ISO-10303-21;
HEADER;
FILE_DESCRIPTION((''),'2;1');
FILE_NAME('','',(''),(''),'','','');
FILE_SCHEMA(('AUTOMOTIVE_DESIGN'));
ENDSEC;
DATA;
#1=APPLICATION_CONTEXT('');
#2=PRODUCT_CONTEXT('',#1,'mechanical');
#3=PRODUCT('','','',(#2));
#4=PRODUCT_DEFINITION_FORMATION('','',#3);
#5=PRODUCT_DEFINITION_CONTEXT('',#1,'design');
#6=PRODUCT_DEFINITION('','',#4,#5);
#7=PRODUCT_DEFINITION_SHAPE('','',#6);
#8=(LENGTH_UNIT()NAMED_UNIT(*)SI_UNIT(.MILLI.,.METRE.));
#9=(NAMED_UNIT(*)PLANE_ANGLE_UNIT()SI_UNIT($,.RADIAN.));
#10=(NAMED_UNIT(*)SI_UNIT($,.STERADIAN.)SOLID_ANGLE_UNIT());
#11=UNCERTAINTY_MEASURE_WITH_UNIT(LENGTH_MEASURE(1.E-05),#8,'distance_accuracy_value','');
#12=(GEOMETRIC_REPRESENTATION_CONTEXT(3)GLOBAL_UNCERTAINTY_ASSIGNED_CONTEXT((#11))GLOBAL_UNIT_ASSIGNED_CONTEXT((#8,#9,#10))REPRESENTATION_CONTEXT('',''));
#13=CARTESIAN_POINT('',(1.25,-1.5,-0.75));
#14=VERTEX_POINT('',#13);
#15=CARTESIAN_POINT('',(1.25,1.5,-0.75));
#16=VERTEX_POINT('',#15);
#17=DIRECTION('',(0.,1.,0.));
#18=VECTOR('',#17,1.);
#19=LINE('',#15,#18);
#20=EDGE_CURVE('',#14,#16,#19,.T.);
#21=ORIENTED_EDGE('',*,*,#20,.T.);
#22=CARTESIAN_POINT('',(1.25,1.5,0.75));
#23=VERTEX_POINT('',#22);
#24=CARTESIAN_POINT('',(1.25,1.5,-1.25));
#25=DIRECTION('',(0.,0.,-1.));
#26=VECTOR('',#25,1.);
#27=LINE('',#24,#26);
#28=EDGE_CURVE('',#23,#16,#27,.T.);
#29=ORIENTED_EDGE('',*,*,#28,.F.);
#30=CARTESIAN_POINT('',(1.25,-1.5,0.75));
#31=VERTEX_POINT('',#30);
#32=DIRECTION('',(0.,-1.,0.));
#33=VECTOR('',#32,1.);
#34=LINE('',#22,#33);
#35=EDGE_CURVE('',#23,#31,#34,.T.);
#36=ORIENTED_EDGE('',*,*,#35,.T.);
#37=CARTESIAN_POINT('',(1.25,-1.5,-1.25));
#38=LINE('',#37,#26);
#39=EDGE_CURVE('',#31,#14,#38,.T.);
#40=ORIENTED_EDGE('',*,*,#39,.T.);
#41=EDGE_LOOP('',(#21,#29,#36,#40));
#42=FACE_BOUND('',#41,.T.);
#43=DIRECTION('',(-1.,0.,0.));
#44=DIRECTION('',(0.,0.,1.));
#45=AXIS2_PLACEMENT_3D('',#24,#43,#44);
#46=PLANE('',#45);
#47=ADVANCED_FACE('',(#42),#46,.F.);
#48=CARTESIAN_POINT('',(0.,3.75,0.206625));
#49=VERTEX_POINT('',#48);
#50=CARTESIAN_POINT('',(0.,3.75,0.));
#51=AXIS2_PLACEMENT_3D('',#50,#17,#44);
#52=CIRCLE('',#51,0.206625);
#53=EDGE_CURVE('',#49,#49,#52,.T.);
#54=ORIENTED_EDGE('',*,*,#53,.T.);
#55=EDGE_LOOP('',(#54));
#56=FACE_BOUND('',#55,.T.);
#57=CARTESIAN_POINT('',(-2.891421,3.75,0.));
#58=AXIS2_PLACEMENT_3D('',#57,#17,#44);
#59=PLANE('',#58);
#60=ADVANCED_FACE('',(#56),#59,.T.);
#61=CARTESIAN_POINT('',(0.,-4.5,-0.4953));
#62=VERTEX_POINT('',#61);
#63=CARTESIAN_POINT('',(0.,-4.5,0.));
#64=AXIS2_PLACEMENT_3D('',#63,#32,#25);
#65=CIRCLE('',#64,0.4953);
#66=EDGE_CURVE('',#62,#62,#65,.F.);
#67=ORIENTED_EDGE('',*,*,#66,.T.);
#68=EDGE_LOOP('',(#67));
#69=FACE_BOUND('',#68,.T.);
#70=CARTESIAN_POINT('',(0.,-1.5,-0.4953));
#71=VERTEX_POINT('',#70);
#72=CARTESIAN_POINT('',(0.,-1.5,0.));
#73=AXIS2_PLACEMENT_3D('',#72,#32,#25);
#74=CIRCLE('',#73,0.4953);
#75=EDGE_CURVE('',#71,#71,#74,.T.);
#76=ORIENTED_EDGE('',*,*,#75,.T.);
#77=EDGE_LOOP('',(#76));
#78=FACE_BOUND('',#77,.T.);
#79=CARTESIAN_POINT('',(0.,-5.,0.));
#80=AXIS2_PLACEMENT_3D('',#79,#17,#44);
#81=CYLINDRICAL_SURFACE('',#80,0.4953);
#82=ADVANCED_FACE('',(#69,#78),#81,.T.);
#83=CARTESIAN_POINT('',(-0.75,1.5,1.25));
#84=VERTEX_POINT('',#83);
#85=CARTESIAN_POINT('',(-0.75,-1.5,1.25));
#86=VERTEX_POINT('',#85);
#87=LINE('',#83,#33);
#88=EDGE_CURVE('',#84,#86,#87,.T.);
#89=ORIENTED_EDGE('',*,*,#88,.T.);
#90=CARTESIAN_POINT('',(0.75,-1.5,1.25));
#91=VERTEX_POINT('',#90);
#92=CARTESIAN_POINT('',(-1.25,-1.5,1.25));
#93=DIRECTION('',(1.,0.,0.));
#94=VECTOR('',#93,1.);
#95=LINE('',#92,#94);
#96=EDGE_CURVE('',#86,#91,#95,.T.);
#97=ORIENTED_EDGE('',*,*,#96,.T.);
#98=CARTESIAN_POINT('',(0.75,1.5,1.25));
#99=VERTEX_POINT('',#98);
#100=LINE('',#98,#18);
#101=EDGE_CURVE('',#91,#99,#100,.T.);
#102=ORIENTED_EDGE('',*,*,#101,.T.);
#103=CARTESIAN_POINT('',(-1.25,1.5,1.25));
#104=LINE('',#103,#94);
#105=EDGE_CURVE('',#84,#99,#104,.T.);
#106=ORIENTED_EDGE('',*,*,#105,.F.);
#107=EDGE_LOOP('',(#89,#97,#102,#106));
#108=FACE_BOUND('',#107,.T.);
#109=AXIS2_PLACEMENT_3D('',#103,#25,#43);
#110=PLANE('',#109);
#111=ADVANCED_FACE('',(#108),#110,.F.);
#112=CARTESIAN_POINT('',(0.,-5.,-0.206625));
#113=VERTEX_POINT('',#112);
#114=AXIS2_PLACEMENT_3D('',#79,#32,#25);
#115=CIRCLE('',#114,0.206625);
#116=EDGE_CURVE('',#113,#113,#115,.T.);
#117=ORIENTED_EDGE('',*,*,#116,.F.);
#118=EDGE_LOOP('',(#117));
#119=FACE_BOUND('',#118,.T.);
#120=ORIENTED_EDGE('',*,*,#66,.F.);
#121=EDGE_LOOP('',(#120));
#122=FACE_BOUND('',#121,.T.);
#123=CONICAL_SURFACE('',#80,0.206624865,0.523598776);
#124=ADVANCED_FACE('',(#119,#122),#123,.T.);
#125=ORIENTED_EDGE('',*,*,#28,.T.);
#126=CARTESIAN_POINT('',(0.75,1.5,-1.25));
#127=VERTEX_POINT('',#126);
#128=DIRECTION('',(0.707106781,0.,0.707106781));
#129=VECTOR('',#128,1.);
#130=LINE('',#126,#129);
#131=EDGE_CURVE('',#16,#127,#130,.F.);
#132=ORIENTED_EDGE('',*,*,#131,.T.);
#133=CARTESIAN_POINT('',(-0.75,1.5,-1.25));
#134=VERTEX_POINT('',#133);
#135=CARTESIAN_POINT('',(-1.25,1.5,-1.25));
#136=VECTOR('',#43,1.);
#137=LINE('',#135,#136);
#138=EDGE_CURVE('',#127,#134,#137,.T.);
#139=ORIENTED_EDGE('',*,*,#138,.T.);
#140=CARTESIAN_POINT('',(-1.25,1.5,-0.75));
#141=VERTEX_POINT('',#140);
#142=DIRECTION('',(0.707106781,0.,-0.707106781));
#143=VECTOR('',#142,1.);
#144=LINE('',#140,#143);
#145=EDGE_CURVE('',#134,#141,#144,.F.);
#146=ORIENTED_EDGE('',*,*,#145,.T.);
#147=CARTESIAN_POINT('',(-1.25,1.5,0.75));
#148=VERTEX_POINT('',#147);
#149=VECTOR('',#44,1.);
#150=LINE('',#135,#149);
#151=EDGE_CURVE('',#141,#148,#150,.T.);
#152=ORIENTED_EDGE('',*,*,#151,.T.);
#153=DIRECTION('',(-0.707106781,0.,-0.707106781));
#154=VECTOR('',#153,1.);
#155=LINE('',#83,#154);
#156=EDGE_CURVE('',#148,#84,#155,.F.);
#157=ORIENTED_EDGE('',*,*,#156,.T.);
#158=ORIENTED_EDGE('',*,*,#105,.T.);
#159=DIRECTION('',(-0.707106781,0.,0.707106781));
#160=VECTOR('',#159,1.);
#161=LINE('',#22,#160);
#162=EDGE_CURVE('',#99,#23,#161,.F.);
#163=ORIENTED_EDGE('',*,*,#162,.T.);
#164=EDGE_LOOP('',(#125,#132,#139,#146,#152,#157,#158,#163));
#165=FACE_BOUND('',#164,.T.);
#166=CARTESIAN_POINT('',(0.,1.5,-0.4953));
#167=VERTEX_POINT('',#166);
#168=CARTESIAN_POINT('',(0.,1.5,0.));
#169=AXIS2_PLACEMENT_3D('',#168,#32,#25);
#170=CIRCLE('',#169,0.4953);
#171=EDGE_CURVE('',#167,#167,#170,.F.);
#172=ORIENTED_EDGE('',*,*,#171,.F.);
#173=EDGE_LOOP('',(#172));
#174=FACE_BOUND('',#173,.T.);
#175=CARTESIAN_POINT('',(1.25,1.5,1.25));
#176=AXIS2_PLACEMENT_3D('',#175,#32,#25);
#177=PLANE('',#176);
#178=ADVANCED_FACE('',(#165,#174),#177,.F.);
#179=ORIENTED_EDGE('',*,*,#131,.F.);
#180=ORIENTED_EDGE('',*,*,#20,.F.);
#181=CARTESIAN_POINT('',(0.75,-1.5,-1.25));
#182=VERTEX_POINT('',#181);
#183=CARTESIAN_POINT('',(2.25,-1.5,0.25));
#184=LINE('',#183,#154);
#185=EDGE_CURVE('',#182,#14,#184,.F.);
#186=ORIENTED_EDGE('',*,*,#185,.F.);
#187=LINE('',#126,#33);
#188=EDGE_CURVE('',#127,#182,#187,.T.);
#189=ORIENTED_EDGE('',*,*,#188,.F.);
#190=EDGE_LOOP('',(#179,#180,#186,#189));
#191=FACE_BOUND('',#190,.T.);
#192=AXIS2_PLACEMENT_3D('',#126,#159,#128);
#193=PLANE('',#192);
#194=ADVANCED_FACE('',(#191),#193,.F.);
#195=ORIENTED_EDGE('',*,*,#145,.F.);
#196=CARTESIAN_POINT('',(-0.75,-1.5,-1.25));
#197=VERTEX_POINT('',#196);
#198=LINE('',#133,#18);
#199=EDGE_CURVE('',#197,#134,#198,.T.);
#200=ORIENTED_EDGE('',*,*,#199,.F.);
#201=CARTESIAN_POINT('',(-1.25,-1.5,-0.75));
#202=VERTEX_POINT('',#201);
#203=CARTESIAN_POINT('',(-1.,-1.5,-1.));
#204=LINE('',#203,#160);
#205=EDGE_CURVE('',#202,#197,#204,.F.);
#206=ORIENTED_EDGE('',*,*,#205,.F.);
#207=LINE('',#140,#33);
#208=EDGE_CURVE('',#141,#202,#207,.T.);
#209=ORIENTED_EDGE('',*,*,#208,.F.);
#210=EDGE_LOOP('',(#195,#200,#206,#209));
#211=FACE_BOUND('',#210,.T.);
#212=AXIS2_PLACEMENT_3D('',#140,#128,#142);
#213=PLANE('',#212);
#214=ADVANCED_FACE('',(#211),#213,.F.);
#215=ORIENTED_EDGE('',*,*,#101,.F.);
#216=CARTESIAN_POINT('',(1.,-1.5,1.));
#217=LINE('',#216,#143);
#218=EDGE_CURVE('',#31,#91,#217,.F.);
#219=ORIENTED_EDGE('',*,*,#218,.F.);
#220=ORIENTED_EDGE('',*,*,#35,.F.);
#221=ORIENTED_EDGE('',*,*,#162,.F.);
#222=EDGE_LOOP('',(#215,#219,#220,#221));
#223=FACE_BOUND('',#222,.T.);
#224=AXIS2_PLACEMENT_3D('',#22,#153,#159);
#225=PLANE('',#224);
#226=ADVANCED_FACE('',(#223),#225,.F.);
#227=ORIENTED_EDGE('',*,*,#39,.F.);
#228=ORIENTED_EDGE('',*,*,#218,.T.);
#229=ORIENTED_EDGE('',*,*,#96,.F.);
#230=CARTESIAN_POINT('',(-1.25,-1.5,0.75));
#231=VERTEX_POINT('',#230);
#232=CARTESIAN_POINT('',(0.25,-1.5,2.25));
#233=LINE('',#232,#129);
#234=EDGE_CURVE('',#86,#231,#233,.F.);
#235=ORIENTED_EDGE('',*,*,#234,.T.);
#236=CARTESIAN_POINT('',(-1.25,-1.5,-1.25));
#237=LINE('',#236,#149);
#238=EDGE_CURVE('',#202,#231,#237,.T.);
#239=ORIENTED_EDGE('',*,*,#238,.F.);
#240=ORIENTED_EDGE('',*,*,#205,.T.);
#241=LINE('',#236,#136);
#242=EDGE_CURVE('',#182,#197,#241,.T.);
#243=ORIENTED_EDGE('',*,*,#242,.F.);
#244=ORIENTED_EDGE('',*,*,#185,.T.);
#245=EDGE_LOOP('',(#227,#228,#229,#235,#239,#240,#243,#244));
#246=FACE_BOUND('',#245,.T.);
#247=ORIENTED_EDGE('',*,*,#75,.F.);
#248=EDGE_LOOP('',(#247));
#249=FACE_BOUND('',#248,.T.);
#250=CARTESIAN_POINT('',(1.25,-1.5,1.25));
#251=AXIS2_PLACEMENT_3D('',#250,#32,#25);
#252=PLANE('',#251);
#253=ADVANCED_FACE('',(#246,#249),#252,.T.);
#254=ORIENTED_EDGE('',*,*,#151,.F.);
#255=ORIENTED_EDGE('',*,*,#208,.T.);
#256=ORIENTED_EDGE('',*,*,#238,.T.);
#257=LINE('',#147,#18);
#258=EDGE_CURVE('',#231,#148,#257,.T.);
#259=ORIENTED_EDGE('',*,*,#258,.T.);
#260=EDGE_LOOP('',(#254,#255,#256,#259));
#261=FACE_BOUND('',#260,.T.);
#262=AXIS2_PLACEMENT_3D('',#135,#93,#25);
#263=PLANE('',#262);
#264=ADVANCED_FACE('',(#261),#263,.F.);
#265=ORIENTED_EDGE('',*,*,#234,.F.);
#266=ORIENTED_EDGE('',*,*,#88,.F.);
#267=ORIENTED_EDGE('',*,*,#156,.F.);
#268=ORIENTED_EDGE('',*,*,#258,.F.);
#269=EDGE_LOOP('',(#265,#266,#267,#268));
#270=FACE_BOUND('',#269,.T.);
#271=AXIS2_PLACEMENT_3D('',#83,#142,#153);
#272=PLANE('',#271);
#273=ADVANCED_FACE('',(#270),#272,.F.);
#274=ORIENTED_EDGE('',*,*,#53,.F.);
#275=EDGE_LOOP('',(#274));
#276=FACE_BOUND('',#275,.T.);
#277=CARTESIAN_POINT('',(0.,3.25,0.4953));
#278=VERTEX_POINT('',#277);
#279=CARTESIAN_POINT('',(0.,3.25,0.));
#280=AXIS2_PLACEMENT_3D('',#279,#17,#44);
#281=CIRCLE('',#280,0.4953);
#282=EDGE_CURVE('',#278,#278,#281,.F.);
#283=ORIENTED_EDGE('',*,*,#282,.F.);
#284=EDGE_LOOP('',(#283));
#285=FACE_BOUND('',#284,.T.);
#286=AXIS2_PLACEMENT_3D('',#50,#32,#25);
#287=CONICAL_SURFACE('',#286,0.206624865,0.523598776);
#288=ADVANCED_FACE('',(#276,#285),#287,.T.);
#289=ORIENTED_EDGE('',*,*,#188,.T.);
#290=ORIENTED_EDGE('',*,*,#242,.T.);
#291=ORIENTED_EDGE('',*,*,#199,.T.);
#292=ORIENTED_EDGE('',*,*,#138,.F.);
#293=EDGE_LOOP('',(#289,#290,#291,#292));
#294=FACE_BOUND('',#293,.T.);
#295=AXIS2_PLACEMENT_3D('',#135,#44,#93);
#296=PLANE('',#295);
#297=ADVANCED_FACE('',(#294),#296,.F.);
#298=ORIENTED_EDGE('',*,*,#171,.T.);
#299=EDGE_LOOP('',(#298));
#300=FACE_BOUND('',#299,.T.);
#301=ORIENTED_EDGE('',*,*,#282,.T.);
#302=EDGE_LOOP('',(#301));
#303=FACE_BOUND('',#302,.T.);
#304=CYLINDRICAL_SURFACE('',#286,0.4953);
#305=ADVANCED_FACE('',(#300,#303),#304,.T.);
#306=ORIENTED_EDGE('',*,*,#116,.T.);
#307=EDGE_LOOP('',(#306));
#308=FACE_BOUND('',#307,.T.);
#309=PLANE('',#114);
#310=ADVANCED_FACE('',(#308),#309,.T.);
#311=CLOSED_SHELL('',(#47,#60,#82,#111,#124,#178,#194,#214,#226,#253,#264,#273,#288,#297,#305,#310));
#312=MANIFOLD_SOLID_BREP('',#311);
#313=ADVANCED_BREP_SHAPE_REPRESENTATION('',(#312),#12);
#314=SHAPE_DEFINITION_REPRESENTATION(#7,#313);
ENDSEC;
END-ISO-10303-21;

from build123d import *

# Parameters (mm, degrees)
SKETCH1_W           = 2.5
SKETCH1_H           = 2.5
BOSS_EXTRUDE1_DEPTH = 1.5
SKETCH2_R           = 0.4953
BOSS_EXTRUDE2_DEPTH = 2.25
CHAMFER1_SIZE       = 0.5
CHAMFER1_SIZE2      = 0.288675135
CHAMFER2_SIZE       = 0.5
SKETCH4_R           = 0.4953
BOSS_EXTRUDE3_DEPTH = 3.5
CHAMFER3_SIZE       = 0.5
CHAMFER3_SIZE2      = 0.288675135


with BuildPart() as part:
    # Sketch1 → Boss-Extrude1 (new body, symmetric)
    with BuildSketch(Plane(origin=(0, 0, 0), x_dir=(1, 0, 0), z_dir=(0, 1, 0))):
        Rectangle(SKETCH1_W, SKETCH1_H)
    extrude(amount=BOSS_EXTRUDE1_DEPTH, both=True)

    # Sketch2 → Boss-Extrude2 (add)
    with BuildSketch(Plane(origin=(0, 1.5, 0), x_dir=(1, 0, 0), z_dir=(0, 1, 0))):
        Circle(SKETCH2_R)
    extrude(amount=BOSS_EXTRUDE2_DEPTH)

    # Chamfer1
    chamfer1_edges = [part.edges().sort_by_distance(p)[0] for p in [
        (-0.4953, 3.75, 0),
    ]]
    chamfer1_side = [part.faces().sort_by_distance(p)[0] for p in [
        (-0.4953, 2.625, 0),
    ]]
    chamfer(chamfer1_edges, length=CHAMFER1_SIZE, length2=CHAMFER1_SIZE2, reference=chamfer1_side[0])

    # Chamfer2
    chamfer2_edges = [part.edges().sort_by_distance(p)[0] for p in [
        (-1.25, 0, 1.25),
        (-1.25, 0, -1.25),
        (1.25, 0, -1.25),
        (1.25, 0, 1.25),
    ]]
    chamfer(chamfer2_edges, length=CHAMFER2_SIZE)

    # Sketch4 → Boss-Extrude3 (add)
    with BuildSketch(Plane.XZ.offset(1.5)):
        Circle(SKETCH4_R)
    extrude(amount=BOSS_EXTRUDE3_DEPTH)

    # Chamfer3
    chamfer3_edges = [part.edges().sort_by_distance(p)[0] for p in [
        (-0.4953, -5, 0),
    ]]
    chamfer3_side = [part.faces().sort_by_distance(p)[0] for p in [
        (-0.4953, -3.25, 0),
    ]]
    chamfer(chamfer3_edges, length=CHAMFER3_SIZE, length2=CHAMFER3_SIZE2, reference=chamfer3_side[0])


solid = part.part
